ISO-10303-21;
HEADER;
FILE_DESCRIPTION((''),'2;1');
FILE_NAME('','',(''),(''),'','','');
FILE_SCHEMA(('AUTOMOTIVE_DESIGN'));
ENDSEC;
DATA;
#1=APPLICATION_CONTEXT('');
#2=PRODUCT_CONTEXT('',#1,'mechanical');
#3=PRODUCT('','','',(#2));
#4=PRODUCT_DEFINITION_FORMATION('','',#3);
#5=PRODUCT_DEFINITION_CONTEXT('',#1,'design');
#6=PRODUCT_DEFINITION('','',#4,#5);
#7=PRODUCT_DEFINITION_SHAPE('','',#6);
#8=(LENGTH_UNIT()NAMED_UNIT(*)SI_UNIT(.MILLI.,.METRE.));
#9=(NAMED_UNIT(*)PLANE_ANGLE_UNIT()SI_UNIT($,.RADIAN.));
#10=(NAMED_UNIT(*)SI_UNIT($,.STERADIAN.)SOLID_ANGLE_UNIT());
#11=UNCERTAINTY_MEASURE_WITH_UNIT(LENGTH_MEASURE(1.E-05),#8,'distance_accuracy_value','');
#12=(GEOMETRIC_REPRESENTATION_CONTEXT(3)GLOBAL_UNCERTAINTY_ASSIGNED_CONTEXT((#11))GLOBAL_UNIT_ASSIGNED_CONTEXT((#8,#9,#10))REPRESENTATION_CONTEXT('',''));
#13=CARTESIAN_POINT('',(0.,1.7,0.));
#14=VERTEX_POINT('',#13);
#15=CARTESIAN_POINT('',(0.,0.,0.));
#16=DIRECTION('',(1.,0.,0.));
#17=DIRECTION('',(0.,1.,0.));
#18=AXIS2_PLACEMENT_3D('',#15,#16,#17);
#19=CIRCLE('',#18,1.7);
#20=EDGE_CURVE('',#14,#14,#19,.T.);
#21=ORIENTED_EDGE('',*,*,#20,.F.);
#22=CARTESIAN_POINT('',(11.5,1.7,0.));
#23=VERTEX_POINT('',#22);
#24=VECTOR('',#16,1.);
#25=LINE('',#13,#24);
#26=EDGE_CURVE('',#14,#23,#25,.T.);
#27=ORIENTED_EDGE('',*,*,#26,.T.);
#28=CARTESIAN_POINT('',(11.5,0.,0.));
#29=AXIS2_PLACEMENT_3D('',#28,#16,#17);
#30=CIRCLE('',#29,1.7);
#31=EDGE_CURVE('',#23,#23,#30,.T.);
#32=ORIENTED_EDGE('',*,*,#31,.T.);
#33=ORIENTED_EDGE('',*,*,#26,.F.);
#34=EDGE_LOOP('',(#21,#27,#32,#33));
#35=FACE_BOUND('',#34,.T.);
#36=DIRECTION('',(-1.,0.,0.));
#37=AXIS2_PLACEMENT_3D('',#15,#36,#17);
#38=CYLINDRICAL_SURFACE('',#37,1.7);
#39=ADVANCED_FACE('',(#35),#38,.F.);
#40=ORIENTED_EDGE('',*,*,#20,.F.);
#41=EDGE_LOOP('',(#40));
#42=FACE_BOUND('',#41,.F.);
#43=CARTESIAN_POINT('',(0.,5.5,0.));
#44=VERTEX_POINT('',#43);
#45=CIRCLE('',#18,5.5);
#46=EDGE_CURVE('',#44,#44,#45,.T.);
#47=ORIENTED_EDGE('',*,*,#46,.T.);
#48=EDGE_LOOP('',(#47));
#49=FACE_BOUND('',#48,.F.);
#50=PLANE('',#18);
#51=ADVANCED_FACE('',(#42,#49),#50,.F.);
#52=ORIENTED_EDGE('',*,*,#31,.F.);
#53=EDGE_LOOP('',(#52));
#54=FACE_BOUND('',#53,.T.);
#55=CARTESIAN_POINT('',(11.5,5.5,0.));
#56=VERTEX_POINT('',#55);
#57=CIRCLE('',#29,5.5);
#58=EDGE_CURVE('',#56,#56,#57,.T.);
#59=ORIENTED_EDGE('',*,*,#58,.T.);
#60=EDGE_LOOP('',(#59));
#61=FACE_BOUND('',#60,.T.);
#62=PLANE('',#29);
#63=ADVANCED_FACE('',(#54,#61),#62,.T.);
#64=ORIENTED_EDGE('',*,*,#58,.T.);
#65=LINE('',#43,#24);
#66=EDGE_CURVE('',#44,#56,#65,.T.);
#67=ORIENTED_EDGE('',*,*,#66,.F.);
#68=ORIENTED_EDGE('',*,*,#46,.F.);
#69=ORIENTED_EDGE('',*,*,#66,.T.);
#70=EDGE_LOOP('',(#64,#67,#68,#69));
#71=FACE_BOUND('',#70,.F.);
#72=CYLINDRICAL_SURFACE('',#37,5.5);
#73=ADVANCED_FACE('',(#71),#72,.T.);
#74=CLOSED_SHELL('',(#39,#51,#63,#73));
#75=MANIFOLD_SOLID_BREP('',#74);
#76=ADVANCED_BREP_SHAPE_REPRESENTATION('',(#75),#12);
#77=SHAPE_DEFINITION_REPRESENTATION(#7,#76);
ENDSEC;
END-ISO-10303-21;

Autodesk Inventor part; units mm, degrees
ref_plane "YZ Plane" through (0, 0, 0) normal (1, 0, 0) x (0, 1, 0)
ref_plane "XZ Plane" through (0, 0, 0) normal (0, 1, 0) x (-1, 0, 0)
ref_plane "XY Plane" through (0, 0, 0) normal (0, 0, 1) x (1, 0, 0)
sketch "スケッチ1" plane through (0, 0, 0) normal (1, 0, 0) x (0, 1, 0)
  circle A0 centre (0, 0) radius 1.7
  circle A1 centre (0, 0) radius 5.5
  dimension "d0" = 3.4
  dimension "d1" = 11
extrude "押し出し1" add sketch "スケッチ1" along normal blind 11.5
properties part number "rail_roller"
